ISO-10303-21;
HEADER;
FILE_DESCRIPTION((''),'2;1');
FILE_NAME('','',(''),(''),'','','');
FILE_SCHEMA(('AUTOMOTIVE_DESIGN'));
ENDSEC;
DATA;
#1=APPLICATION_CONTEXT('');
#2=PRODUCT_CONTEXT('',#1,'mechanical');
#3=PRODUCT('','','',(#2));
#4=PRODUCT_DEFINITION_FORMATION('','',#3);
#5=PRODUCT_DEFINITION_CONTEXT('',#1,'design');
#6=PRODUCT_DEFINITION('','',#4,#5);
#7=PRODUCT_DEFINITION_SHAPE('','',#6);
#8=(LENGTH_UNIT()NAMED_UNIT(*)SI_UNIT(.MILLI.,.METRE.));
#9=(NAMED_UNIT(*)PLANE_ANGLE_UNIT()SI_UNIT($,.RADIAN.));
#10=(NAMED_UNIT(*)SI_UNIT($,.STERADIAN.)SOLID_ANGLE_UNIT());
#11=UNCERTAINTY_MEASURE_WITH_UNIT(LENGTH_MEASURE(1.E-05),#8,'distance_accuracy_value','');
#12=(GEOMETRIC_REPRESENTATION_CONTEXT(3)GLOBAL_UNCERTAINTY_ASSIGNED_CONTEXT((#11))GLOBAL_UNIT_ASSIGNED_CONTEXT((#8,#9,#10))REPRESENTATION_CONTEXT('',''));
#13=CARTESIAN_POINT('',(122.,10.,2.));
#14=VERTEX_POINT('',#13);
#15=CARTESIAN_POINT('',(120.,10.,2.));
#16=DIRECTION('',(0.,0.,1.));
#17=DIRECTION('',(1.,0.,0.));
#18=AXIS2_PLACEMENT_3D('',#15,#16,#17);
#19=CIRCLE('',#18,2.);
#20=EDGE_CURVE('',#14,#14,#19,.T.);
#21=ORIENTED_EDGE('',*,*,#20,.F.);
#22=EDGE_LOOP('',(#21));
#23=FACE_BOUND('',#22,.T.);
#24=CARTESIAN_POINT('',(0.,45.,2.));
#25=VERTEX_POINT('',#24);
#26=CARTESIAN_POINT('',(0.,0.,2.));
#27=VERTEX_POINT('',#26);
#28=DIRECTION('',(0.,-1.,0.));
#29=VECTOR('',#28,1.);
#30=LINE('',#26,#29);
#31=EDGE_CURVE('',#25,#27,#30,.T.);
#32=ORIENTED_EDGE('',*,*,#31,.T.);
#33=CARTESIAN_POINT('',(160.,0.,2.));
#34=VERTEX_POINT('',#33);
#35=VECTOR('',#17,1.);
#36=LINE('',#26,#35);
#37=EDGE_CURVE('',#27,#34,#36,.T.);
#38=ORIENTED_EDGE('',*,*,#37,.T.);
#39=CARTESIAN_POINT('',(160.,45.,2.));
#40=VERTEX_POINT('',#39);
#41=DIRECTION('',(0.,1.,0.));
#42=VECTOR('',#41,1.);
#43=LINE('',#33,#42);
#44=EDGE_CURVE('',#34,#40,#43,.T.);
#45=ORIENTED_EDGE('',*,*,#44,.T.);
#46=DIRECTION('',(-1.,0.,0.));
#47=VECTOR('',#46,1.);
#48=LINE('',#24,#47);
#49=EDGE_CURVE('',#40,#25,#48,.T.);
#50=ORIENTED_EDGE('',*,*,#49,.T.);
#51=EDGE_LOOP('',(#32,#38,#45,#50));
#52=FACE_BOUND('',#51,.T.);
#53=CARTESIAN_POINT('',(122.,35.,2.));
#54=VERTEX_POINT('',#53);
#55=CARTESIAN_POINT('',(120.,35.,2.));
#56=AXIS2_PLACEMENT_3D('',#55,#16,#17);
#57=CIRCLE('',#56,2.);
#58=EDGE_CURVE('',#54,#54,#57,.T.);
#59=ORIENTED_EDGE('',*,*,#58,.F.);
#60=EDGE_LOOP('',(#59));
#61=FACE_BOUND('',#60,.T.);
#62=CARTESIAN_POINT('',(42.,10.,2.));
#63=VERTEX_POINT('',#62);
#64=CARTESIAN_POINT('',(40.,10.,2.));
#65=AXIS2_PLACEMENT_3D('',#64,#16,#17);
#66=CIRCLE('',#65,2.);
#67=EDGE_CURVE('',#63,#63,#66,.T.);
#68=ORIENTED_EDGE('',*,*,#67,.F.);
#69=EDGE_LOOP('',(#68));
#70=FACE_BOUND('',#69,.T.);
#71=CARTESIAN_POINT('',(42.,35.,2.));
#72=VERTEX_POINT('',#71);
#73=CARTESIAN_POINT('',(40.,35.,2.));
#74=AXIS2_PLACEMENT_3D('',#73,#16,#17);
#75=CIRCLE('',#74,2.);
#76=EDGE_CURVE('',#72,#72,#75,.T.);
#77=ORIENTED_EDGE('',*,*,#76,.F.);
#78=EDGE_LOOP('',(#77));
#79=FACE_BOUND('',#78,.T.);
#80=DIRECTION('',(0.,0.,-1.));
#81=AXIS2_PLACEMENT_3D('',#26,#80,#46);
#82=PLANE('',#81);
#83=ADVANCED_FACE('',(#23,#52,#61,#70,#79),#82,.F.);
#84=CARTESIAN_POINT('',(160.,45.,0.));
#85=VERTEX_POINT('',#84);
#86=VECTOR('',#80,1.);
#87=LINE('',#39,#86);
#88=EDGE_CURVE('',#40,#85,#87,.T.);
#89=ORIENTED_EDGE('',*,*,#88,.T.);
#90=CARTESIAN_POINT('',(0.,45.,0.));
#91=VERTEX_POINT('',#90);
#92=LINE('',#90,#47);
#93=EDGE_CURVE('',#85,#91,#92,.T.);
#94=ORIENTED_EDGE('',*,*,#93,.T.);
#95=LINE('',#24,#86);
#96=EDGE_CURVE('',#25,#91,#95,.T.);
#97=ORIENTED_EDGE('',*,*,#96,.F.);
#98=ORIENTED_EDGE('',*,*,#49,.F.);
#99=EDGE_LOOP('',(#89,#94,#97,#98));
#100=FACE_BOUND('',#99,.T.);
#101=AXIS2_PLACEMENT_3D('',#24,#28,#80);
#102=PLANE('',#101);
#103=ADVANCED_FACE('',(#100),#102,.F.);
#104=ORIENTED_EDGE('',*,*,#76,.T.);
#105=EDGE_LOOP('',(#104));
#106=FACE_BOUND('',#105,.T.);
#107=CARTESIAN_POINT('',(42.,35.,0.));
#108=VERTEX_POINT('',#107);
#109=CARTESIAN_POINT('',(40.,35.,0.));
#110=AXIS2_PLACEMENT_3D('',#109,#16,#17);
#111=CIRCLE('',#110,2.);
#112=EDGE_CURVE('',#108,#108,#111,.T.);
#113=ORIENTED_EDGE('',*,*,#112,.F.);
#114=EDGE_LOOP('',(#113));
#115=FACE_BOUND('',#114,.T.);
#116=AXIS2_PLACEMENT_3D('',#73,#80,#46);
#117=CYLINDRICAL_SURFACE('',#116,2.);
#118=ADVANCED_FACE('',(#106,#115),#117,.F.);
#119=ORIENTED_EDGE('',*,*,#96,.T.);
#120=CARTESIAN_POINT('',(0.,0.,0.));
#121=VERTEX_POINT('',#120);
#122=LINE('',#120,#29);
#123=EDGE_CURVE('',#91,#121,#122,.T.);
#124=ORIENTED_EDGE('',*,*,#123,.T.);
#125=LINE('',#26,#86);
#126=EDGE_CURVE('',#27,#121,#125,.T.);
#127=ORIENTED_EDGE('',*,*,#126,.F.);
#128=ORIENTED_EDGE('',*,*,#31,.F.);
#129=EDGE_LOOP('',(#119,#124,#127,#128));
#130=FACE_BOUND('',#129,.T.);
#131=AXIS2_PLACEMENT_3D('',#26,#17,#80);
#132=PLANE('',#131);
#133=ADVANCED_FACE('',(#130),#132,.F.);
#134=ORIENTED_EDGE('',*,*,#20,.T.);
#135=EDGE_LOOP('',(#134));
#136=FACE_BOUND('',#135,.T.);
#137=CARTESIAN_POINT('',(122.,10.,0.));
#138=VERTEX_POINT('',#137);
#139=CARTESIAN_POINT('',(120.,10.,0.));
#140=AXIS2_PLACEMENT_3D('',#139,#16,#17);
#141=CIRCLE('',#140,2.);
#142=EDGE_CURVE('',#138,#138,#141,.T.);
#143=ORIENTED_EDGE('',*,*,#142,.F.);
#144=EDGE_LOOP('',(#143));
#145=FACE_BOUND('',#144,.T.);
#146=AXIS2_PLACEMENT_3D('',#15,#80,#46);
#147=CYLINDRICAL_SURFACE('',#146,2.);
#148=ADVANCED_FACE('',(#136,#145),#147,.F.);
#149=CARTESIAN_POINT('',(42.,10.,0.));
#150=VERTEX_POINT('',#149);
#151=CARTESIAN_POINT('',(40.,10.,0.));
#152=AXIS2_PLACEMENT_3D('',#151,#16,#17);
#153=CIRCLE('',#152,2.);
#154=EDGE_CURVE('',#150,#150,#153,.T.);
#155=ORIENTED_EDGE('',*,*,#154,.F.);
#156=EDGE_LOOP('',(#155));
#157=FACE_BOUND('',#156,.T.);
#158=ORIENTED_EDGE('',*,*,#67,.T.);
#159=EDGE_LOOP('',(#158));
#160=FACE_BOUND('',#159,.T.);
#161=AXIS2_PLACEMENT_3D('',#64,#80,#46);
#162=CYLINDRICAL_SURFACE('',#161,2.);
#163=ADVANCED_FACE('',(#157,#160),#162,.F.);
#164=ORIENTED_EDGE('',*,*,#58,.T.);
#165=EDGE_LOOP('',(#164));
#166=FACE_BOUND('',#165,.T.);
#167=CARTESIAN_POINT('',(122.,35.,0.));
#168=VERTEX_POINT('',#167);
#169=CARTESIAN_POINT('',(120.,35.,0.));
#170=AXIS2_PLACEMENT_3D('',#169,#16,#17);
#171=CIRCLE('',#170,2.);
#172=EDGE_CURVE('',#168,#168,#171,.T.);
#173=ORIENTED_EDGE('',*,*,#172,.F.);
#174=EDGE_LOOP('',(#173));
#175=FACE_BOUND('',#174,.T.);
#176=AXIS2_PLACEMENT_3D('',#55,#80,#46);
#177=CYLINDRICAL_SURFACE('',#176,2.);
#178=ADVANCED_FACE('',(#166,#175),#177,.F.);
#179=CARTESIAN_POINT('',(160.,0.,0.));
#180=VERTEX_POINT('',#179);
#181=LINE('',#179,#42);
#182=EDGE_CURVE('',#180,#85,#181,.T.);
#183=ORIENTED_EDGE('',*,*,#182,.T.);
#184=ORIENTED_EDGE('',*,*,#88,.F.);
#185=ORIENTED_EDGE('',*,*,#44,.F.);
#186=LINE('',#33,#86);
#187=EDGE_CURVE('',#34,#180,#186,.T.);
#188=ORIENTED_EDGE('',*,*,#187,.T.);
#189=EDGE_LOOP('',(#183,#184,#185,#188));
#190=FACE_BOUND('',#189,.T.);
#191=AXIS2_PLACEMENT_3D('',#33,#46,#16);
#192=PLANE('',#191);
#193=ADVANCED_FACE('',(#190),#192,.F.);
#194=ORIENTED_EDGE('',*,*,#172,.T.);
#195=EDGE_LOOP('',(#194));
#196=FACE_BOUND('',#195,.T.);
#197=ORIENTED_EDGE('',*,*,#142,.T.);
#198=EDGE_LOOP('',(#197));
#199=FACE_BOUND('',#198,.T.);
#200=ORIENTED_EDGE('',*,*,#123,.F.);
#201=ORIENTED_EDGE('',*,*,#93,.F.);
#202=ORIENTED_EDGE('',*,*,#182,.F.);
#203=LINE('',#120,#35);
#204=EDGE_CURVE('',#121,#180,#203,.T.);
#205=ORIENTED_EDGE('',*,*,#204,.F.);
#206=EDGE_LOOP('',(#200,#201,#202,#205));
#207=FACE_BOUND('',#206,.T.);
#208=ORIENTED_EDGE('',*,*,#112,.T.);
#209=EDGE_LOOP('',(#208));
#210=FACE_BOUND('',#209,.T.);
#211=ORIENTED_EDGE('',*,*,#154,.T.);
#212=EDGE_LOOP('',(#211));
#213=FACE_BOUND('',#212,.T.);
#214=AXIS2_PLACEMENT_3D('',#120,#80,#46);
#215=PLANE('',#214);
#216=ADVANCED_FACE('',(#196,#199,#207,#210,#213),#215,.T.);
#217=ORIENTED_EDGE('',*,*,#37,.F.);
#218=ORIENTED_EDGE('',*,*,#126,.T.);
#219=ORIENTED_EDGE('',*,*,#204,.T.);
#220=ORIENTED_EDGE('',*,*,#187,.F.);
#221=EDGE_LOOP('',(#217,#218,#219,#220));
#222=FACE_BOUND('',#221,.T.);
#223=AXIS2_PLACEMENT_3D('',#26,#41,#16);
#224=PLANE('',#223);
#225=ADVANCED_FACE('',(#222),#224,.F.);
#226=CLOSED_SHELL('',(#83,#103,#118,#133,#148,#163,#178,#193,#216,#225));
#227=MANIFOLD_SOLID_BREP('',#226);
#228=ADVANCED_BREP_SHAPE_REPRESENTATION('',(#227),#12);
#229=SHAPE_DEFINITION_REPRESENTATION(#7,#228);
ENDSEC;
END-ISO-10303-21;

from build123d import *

# Parameters (mm, degrees)
IZIM1_W                     = 160
IZIM1_H                     = 45
IZIM1_R                     = 2
Y_KSEKLIK_EKSTR_ZYON1_DEPTH = 2


with BuildPart() as part:
    # Çizim1 → Yükseklik-Ekstrüzyon1 (new body)
    with BuildSketch(Plane.XY):
        with Locations((80, 22.5)):
            Rectangle(IZIM1_W, IZIM1_H)
        with Locations((40, 35)):
            Circle(IZIM1_R, mode=Mode.SUBTRACT)
        with Locations((120, 35)):
            Circle(IZIM1_R, mode=Mode.SUBTRACT)
        with Locations((40, 10)):
            Circle(IZIM1_R, mode=Mode.SUBTRACT)
        with Locations((120, 10)):
            Circle(IZIM1_R, mode=Mode.SUBTRACT)
    extrude(amount=Y_KSEKLIK_EKSTR_ZYON1_DEPTH)


solid = part.part
